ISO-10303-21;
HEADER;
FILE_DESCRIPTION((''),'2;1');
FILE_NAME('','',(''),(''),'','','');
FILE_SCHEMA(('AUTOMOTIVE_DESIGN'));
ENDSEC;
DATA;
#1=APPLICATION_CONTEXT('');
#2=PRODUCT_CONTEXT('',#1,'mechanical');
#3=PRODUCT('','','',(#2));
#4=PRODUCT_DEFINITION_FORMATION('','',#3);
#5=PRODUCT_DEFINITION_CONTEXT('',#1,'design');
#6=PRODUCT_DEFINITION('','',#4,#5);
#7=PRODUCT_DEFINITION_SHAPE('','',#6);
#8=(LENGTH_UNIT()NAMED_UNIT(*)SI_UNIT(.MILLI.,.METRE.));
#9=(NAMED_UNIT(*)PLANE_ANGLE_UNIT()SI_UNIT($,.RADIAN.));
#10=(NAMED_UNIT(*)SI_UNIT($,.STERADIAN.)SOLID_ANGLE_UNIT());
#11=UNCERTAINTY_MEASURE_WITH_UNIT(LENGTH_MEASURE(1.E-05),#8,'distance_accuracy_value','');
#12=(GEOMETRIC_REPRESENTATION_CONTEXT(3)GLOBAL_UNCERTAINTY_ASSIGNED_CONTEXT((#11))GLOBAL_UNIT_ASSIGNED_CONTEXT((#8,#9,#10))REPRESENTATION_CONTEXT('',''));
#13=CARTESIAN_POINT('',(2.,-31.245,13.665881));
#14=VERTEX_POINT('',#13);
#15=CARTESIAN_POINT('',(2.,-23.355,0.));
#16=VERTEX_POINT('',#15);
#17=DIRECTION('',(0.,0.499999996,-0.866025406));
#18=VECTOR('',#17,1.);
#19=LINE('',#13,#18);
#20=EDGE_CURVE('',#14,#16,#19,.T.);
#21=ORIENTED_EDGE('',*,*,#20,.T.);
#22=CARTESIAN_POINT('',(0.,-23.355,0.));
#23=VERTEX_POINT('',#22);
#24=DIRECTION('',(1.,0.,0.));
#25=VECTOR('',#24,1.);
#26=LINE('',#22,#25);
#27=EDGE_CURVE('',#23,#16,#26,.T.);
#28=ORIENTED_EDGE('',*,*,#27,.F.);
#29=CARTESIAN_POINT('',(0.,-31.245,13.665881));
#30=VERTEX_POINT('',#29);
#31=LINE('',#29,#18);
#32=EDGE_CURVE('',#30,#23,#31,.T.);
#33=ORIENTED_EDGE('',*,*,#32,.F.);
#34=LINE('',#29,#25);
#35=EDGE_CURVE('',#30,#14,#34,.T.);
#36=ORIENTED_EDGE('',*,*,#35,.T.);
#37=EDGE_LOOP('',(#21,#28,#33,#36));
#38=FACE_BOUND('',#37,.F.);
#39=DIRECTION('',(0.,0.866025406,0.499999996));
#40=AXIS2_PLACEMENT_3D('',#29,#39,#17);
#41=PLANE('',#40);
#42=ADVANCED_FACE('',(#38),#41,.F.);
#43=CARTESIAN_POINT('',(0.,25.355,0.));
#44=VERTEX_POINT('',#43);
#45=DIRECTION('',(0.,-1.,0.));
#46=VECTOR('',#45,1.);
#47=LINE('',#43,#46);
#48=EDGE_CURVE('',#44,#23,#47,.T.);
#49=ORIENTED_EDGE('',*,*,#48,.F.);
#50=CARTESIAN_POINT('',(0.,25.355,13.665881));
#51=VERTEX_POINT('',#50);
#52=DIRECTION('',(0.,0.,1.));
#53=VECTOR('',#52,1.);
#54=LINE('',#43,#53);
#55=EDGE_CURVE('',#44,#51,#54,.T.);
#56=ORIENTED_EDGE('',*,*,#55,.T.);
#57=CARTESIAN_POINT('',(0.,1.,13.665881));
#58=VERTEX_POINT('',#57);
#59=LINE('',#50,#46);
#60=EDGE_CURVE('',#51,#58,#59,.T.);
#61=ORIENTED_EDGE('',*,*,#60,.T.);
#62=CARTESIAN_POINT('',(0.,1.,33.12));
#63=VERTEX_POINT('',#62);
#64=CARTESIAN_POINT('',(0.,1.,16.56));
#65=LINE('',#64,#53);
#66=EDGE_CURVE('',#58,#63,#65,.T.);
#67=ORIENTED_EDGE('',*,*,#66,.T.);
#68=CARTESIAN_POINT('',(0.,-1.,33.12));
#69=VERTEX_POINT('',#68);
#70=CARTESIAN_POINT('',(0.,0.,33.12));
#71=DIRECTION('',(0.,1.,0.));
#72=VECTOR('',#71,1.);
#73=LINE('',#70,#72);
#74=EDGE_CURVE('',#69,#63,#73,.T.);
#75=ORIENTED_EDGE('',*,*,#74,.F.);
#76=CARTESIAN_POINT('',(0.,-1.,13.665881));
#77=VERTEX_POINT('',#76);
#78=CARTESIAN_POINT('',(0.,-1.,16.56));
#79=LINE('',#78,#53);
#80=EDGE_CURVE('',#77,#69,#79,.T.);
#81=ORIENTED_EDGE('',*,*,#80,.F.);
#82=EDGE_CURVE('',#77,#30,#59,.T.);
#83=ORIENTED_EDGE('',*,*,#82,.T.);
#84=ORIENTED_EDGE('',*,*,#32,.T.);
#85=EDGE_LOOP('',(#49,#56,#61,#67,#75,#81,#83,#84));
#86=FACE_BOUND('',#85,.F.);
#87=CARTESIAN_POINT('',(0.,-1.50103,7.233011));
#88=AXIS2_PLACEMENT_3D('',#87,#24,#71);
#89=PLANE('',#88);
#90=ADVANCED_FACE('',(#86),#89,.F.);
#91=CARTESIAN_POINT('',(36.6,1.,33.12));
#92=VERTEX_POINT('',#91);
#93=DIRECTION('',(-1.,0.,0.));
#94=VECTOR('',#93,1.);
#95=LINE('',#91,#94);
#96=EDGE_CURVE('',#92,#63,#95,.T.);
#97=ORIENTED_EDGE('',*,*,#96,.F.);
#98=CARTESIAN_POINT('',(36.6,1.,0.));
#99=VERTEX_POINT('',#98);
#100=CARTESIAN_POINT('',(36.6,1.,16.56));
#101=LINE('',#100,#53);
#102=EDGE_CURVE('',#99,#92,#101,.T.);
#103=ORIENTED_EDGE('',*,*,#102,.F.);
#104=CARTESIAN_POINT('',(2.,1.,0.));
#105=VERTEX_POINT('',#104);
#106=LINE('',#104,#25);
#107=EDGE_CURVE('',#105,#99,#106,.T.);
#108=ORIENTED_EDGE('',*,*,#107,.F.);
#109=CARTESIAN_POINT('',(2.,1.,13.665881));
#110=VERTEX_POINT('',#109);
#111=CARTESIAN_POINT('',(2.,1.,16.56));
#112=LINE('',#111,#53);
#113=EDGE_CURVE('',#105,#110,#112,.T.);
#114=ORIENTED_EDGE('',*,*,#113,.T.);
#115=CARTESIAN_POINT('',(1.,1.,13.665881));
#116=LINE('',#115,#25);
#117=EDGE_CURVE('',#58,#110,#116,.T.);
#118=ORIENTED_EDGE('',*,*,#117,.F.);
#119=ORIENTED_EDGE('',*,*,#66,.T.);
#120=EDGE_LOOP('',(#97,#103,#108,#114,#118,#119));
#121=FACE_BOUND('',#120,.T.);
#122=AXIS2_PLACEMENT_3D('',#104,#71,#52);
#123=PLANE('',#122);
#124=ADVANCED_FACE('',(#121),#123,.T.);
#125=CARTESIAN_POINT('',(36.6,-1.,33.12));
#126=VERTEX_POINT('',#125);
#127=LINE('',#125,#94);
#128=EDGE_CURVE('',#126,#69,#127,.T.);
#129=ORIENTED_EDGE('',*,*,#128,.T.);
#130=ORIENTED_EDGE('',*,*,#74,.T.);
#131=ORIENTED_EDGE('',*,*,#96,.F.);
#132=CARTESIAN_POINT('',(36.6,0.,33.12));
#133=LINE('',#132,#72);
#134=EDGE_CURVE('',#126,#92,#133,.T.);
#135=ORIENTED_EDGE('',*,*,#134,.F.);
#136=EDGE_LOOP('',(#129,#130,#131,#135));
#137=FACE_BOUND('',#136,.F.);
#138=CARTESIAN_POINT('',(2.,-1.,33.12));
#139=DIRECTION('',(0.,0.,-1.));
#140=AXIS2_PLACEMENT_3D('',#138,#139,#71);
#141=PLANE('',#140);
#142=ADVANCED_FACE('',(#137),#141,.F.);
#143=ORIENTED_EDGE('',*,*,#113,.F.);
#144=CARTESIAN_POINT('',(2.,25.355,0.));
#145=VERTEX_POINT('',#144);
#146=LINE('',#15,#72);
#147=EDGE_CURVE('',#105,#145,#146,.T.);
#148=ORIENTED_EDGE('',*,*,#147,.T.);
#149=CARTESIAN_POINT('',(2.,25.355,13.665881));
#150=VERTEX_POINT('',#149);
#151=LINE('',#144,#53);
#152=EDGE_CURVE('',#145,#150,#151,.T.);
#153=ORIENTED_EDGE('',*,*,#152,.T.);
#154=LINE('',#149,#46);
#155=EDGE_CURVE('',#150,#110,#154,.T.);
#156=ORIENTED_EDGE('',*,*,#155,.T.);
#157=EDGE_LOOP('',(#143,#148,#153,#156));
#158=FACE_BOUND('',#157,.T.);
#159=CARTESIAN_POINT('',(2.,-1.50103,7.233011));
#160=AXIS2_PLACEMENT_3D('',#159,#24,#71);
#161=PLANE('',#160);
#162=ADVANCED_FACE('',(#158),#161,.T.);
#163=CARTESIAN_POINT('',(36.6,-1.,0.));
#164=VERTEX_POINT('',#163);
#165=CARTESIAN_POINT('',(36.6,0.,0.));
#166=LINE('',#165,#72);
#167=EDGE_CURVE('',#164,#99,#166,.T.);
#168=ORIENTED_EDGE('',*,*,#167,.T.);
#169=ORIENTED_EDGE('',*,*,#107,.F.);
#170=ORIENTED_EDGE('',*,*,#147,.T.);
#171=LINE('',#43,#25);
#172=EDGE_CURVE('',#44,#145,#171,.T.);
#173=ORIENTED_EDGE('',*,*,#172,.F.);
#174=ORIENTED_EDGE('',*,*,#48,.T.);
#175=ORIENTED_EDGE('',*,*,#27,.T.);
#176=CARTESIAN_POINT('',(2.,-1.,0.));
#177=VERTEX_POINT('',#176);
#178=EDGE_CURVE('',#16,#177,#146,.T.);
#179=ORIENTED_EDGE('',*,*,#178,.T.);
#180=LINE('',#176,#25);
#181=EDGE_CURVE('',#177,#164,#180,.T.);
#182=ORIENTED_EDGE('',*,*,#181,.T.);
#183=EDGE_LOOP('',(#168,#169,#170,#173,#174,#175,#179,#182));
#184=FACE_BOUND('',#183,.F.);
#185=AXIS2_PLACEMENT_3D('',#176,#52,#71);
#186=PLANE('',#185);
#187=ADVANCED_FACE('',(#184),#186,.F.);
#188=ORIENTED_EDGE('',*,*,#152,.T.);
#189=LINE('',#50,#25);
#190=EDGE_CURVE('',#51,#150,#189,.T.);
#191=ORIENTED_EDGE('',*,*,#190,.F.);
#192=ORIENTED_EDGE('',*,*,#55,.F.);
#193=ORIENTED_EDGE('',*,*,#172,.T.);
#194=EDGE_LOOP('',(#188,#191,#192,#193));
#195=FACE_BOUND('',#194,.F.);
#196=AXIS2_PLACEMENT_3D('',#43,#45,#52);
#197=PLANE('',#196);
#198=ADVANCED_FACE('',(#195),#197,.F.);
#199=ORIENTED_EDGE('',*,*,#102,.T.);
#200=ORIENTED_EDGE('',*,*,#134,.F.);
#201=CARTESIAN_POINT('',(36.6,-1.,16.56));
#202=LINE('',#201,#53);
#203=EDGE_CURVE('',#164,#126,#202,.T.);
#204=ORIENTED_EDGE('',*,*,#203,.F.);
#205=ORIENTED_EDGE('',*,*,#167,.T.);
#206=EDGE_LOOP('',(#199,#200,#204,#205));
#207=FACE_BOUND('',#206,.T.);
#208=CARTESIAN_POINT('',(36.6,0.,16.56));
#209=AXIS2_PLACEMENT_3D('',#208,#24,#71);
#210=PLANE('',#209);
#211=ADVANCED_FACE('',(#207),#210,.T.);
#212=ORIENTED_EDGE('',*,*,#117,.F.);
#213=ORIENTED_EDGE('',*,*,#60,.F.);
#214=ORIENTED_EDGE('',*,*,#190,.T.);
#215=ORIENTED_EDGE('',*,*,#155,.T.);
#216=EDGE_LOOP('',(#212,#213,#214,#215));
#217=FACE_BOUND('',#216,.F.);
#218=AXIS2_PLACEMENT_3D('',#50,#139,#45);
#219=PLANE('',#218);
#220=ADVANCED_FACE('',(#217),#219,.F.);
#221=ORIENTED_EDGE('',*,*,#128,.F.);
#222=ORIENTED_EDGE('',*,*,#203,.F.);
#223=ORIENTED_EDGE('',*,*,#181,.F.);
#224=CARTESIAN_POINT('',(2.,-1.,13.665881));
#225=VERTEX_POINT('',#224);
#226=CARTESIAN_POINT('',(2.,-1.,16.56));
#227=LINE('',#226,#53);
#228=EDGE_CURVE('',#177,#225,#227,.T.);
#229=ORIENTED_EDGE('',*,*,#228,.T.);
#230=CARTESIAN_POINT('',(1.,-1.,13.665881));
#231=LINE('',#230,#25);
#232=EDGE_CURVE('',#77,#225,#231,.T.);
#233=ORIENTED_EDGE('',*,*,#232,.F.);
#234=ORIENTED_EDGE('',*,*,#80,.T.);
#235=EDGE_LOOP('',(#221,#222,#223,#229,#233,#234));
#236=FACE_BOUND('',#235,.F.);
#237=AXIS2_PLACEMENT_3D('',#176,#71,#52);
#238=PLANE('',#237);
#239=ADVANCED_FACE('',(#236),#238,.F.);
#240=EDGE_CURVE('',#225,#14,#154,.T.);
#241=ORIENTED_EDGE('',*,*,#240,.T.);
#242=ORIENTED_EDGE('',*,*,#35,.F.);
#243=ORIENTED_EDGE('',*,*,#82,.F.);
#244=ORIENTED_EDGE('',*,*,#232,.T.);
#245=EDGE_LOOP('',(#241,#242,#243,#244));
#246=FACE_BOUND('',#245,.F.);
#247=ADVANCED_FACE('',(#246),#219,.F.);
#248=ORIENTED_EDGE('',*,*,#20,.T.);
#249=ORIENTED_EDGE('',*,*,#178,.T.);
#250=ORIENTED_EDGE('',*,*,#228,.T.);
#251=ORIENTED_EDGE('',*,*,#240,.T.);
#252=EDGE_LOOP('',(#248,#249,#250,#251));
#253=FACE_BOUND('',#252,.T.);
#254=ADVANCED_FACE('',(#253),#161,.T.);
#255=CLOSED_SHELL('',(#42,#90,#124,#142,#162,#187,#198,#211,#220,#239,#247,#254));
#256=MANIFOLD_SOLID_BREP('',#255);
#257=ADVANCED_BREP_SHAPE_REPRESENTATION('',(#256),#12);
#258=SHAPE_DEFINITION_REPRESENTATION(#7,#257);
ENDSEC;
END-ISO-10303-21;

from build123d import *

# Parameters (mm, degrees)
PAD_DEPTH         = 2
SKETCH001_W       = 2
SKETCH001_H       = 33.12
PAD001_DEPTH      = 34.6
PAD001_DEPTH_BACK = 2


with BuildPart() as part:
    # Sketch → Pad (new body)
    with BuildSketch(Plane.YZ):
        Polygon((-23.355, 0), (25.355, 0), (25.355, 13.665881), (-31.245, 13.665881), align=None)
    extrude(amount=PAD_DEPTH)

    # Sketch001 (on Face6 of Pad) → Pad001 (join, two sides)
    with BuildSketch(Plane.YZ.offset(2)) as pad001_sk:
        with Locations((0, 16.56)):
            Rectangle(SKETCH001_W, SKETCH001_H)
    extrude(amount=PAD001_DEPTH)
    extrude(pad001_sk.sketch, amount=-PAD001_DEPTH_BACK)


solid = part.part
